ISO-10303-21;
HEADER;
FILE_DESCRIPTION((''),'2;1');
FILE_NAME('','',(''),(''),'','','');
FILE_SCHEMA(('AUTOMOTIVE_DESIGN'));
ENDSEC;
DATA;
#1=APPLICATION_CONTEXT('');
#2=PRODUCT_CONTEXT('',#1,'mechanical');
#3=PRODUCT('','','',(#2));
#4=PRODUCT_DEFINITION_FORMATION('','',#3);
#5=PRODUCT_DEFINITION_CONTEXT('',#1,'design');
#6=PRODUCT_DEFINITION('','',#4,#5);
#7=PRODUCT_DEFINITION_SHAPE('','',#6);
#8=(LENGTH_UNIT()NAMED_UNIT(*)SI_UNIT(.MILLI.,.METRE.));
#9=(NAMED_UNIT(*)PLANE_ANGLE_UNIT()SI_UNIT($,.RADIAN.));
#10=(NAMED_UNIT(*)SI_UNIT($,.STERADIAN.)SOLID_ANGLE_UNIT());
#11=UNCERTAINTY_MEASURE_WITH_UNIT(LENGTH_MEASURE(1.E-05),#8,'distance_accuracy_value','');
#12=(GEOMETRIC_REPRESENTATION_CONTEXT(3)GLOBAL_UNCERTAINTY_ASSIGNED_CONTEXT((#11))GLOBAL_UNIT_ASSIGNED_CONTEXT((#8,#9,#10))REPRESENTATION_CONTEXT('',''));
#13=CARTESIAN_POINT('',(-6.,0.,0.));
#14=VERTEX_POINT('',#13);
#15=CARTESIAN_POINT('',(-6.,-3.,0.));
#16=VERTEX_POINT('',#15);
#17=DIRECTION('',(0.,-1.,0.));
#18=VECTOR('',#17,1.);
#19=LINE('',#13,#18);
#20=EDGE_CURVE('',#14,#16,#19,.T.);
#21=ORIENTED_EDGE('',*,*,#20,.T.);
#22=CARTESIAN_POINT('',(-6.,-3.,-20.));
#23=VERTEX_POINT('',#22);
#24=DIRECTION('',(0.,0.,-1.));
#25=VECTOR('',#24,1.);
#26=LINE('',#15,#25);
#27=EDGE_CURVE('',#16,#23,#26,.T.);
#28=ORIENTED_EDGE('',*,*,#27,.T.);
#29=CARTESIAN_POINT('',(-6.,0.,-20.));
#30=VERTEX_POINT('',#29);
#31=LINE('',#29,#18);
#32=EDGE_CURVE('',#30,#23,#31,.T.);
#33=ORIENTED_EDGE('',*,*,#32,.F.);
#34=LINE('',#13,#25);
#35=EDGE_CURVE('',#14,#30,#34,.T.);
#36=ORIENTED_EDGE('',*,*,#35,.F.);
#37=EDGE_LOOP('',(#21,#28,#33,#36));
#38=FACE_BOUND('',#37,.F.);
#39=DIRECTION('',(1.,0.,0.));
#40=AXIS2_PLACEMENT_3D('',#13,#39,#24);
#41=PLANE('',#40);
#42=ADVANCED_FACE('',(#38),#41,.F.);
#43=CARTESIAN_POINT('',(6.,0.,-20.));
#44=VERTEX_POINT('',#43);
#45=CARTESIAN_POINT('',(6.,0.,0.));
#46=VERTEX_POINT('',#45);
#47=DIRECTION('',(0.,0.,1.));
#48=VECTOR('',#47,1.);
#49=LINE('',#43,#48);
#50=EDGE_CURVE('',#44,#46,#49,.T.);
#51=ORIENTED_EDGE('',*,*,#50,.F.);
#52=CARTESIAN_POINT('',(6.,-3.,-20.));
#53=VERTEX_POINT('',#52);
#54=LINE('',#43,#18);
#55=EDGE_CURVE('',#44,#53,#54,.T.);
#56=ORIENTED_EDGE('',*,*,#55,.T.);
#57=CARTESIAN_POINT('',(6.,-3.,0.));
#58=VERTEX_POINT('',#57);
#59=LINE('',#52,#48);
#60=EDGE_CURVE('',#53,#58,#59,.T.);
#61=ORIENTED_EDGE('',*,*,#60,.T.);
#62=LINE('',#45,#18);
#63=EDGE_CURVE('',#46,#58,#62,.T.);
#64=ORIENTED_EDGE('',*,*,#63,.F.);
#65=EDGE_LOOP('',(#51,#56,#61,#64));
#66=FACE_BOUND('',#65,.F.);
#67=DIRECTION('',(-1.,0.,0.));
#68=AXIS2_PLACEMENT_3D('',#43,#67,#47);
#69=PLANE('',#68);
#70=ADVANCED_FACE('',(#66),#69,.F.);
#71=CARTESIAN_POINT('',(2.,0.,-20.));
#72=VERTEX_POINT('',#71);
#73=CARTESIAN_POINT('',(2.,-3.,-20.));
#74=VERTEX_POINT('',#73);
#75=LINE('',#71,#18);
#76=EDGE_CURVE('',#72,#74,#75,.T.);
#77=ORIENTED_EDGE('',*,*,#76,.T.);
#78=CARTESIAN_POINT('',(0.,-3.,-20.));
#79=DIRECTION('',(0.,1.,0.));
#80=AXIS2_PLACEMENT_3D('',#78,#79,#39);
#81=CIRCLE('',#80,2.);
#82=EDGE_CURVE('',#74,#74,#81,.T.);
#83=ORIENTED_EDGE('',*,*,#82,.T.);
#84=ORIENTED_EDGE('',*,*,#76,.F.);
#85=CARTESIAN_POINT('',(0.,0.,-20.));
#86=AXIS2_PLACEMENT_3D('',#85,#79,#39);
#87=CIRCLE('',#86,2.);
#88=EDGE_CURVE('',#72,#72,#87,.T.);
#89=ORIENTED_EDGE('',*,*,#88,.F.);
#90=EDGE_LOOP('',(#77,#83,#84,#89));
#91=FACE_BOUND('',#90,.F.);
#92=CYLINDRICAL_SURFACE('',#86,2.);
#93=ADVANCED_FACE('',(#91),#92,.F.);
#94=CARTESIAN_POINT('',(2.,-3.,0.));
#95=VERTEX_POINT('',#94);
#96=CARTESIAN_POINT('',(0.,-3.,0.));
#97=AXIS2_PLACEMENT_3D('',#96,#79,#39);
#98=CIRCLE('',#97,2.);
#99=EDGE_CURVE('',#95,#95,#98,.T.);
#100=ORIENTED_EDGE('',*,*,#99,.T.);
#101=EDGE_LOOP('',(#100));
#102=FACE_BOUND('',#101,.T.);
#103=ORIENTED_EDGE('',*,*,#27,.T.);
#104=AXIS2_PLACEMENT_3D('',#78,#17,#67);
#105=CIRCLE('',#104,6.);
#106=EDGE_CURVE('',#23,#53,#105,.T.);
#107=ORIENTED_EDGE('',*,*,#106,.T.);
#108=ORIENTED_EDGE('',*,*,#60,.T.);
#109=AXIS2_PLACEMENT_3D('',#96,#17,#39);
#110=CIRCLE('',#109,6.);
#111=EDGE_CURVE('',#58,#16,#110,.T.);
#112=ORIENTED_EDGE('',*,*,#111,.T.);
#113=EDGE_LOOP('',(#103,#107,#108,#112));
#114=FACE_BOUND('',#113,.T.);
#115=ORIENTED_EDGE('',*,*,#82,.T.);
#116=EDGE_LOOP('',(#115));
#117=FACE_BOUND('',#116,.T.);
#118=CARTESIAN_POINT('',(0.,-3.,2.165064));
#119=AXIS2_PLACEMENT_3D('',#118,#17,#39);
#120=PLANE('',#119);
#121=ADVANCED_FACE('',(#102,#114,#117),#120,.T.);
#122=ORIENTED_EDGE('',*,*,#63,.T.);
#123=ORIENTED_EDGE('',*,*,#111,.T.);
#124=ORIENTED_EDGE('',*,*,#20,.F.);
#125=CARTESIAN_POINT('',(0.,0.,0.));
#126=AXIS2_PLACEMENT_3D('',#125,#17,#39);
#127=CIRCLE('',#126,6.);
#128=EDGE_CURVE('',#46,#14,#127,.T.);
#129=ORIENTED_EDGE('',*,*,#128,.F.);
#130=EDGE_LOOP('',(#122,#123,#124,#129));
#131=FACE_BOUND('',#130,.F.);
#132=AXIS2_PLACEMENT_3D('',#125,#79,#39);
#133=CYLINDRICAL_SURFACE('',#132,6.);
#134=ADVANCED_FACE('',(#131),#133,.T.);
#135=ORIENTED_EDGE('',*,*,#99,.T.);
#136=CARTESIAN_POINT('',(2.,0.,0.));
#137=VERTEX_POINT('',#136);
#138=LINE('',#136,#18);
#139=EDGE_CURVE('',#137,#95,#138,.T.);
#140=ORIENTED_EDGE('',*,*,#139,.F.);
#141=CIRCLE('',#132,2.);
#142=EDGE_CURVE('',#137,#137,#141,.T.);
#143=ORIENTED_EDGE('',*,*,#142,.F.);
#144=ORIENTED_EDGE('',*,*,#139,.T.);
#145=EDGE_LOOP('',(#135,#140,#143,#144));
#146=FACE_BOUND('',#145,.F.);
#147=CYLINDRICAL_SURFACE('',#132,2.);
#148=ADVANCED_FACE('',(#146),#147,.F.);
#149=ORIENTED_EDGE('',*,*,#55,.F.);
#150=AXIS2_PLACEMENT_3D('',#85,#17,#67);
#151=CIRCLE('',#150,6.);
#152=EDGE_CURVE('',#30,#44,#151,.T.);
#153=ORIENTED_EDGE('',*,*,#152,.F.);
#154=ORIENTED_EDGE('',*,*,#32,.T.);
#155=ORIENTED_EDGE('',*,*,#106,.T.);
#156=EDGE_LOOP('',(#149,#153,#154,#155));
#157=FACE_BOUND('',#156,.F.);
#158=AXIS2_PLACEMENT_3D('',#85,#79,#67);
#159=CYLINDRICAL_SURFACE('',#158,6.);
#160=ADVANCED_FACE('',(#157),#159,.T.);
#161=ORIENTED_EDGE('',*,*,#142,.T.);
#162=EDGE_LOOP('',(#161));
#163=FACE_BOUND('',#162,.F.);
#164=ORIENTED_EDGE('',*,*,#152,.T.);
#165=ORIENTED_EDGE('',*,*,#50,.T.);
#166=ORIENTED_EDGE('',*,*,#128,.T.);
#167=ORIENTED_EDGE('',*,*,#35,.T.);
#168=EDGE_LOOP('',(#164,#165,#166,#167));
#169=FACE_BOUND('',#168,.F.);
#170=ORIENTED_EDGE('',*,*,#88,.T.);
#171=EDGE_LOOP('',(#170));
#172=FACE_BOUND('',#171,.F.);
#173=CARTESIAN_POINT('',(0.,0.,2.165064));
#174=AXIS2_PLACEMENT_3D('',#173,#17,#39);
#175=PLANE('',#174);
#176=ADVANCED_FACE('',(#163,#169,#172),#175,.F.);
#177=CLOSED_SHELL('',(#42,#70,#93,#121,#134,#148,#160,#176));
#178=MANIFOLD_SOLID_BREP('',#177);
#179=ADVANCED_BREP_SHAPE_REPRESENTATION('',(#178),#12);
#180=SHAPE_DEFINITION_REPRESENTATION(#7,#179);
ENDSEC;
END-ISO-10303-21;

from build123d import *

# Parameters (mm, degrees)
F1_DEPTH = 3


with BuildPart() as f1:
    # F0 (on Front) → F1 (new body)
    with BuildSketch(Plane.XZ):
        with BuildLine():
            Line((2, 0), (6, 0))
            ThreePointArc((6, 0), (0, 6), (-6, 0))
            Line((-6, 0), (-2, 0))
            ThreePointArc((-2, 0), (0, 2), (2, 0))
        make_face()
        with BuildLine():
            Line((6, -20), (6, 0))
            ThreePointArc((6, 0), (0, -6), (-6, 0))
            Line((-6, 0), (-6, -20))
            ThreePointArc((-6, -20), (0, -14), (6, -20))
        make_face()
        with BuildLine():
            ThreePointArc((-6, 0), (0, -6), (6, 0))
            Line((6, 0), (2, 0))
            ThreePointArc((2, 0), (0, -2), (-2, 0))
            Line((-2, 0), (-6, 0))
        make_face()
        with BuildLine():
            Line((2, -20), (6, -20))
            ThreePointArc((6, -20), (0, -14), (-6, -20))
            Line((-6, -20), (-2, -20))
            ThreePointArc((-2, -20), (0, -18), (2, -20))
        make_face()
        with BuildLine():
            ThreePointArc((-6, -20), (0, -26), (6, -20))
            Line((6, -20), (2, -20))
            ThreePointArc((2, -20), (0, -22), (-2, -20))
            Line((-2, -20), (-6, -20))
        make_face()
    extrude(amount=F1_DEPTH)


solid = f1.part
